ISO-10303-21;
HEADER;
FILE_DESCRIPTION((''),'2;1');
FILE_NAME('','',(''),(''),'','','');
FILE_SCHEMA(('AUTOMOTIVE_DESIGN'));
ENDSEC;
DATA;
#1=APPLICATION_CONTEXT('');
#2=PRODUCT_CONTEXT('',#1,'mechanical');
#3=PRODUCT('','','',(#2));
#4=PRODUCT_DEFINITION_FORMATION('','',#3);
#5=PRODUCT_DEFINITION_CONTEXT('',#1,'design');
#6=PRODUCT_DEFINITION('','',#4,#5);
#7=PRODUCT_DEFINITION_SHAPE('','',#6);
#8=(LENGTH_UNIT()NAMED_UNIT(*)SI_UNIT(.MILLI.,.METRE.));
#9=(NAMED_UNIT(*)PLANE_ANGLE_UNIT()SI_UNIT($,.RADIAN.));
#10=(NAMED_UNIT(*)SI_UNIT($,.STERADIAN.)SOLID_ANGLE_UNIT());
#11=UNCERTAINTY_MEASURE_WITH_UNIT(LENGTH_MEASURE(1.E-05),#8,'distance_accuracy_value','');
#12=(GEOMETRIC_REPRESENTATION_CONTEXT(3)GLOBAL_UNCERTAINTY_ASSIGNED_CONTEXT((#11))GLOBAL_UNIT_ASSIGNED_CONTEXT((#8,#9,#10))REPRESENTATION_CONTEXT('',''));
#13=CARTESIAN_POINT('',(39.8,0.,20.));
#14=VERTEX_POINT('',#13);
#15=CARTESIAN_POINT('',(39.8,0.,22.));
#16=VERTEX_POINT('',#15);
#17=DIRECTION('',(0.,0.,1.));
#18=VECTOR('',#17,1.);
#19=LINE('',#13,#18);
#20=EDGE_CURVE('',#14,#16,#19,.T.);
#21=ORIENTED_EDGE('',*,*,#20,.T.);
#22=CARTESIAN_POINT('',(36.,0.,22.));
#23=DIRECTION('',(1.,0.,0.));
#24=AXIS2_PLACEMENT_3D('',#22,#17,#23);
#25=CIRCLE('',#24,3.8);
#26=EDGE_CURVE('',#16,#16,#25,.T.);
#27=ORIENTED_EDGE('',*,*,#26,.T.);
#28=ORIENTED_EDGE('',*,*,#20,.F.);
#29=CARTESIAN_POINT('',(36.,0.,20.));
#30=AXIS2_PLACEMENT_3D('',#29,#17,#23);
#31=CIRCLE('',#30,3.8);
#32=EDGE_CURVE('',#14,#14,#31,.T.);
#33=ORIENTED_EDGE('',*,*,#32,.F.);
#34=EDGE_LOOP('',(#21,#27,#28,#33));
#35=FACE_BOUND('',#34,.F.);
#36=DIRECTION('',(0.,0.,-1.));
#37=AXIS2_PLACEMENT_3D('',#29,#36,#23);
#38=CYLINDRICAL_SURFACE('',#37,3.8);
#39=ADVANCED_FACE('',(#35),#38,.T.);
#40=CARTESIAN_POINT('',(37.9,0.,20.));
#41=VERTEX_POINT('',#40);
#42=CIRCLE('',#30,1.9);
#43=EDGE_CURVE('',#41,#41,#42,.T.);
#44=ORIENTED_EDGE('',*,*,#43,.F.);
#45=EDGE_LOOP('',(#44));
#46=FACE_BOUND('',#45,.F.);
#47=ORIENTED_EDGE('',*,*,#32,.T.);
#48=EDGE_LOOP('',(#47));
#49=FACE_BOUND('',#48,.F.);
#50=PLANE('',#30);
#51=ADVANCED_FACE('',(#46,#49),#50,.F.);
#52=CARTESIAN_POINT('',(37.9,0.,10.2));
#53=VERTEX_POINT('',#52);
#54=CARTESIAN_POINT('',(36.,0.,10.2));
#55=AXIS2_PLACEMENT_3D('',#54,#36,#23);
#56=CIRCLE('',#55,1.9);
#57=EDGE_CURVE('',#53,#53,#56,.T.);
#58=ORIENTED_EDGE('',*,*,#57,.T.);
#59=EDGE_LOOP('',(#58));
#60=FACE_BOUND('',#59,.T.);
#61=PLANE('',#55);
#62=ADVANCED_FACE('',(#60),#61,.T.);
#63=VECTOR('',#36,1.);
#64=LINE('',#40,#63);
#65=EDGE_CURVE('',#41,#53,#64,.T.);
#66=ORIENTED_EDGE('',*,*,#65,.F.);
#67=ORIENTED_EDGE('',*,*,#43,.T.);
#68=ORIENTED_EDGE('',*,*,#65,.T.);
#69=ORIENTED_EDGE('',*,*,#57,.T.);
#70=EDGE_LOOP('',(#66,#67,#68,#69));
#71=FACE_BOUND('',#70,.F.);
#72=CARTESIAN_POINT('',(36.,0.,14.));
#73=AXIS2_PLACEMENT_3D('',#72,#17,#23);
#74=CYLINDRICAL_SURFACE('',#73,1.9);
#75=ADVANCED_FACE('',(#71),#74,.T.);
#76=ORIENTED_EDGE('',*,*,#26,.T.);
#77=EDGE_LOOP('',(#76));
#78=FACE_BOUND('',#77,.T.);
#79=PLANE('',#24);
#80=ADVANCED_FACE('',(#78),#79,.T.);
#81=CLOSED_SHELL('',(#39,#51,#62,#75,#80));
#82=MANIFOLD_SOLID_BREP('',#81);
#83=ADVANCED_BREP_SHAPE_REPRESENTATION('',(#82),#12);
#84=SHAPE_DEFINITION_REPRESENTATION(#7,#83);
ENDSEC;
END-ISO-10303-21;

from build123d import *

# Parameters (mm, degrees)
SKETCH039_R  = 1.9
PAD015_DEPTH = 6
SKETCH040_R  = 3.8
PAD016_DEPTH = 2
SKETCH049_R  = 1.9
PAD023_DEPTH = 3.8


with BuildPart() as part:
    # Sketch039 (on Face1 of CopyPocket020) → Pad015 (new body)
    with BuildSketch(Plane.XY.offset(14)):
        with Locations((36, 0)):
            Circle(SKETCH039_R)
    extrude(amount=PAD015_DEPTH)

    # Sketch040 (on Face3 of Pad015) → Pad016 (join)
    with BuildSketch(Plane.XY.offset(20)):
        with Locations((36, 0)):
            Circle(SKETCH040_R)
    extrude(amount=PAD016_DEPTH)

    # Sketch049 (on Face1 of Pad016) → Pad023 (join)
    with BuildSketch(Plane(origin=(0, 0, 14), x_dir=(1, 0, 0), z_dir=(0, 0, -1))):
        with Locations((36, 0)):
            Circle(SKETCH049_R)
    extrude(amount=PAD023_DEPTH)


solid = part.part
